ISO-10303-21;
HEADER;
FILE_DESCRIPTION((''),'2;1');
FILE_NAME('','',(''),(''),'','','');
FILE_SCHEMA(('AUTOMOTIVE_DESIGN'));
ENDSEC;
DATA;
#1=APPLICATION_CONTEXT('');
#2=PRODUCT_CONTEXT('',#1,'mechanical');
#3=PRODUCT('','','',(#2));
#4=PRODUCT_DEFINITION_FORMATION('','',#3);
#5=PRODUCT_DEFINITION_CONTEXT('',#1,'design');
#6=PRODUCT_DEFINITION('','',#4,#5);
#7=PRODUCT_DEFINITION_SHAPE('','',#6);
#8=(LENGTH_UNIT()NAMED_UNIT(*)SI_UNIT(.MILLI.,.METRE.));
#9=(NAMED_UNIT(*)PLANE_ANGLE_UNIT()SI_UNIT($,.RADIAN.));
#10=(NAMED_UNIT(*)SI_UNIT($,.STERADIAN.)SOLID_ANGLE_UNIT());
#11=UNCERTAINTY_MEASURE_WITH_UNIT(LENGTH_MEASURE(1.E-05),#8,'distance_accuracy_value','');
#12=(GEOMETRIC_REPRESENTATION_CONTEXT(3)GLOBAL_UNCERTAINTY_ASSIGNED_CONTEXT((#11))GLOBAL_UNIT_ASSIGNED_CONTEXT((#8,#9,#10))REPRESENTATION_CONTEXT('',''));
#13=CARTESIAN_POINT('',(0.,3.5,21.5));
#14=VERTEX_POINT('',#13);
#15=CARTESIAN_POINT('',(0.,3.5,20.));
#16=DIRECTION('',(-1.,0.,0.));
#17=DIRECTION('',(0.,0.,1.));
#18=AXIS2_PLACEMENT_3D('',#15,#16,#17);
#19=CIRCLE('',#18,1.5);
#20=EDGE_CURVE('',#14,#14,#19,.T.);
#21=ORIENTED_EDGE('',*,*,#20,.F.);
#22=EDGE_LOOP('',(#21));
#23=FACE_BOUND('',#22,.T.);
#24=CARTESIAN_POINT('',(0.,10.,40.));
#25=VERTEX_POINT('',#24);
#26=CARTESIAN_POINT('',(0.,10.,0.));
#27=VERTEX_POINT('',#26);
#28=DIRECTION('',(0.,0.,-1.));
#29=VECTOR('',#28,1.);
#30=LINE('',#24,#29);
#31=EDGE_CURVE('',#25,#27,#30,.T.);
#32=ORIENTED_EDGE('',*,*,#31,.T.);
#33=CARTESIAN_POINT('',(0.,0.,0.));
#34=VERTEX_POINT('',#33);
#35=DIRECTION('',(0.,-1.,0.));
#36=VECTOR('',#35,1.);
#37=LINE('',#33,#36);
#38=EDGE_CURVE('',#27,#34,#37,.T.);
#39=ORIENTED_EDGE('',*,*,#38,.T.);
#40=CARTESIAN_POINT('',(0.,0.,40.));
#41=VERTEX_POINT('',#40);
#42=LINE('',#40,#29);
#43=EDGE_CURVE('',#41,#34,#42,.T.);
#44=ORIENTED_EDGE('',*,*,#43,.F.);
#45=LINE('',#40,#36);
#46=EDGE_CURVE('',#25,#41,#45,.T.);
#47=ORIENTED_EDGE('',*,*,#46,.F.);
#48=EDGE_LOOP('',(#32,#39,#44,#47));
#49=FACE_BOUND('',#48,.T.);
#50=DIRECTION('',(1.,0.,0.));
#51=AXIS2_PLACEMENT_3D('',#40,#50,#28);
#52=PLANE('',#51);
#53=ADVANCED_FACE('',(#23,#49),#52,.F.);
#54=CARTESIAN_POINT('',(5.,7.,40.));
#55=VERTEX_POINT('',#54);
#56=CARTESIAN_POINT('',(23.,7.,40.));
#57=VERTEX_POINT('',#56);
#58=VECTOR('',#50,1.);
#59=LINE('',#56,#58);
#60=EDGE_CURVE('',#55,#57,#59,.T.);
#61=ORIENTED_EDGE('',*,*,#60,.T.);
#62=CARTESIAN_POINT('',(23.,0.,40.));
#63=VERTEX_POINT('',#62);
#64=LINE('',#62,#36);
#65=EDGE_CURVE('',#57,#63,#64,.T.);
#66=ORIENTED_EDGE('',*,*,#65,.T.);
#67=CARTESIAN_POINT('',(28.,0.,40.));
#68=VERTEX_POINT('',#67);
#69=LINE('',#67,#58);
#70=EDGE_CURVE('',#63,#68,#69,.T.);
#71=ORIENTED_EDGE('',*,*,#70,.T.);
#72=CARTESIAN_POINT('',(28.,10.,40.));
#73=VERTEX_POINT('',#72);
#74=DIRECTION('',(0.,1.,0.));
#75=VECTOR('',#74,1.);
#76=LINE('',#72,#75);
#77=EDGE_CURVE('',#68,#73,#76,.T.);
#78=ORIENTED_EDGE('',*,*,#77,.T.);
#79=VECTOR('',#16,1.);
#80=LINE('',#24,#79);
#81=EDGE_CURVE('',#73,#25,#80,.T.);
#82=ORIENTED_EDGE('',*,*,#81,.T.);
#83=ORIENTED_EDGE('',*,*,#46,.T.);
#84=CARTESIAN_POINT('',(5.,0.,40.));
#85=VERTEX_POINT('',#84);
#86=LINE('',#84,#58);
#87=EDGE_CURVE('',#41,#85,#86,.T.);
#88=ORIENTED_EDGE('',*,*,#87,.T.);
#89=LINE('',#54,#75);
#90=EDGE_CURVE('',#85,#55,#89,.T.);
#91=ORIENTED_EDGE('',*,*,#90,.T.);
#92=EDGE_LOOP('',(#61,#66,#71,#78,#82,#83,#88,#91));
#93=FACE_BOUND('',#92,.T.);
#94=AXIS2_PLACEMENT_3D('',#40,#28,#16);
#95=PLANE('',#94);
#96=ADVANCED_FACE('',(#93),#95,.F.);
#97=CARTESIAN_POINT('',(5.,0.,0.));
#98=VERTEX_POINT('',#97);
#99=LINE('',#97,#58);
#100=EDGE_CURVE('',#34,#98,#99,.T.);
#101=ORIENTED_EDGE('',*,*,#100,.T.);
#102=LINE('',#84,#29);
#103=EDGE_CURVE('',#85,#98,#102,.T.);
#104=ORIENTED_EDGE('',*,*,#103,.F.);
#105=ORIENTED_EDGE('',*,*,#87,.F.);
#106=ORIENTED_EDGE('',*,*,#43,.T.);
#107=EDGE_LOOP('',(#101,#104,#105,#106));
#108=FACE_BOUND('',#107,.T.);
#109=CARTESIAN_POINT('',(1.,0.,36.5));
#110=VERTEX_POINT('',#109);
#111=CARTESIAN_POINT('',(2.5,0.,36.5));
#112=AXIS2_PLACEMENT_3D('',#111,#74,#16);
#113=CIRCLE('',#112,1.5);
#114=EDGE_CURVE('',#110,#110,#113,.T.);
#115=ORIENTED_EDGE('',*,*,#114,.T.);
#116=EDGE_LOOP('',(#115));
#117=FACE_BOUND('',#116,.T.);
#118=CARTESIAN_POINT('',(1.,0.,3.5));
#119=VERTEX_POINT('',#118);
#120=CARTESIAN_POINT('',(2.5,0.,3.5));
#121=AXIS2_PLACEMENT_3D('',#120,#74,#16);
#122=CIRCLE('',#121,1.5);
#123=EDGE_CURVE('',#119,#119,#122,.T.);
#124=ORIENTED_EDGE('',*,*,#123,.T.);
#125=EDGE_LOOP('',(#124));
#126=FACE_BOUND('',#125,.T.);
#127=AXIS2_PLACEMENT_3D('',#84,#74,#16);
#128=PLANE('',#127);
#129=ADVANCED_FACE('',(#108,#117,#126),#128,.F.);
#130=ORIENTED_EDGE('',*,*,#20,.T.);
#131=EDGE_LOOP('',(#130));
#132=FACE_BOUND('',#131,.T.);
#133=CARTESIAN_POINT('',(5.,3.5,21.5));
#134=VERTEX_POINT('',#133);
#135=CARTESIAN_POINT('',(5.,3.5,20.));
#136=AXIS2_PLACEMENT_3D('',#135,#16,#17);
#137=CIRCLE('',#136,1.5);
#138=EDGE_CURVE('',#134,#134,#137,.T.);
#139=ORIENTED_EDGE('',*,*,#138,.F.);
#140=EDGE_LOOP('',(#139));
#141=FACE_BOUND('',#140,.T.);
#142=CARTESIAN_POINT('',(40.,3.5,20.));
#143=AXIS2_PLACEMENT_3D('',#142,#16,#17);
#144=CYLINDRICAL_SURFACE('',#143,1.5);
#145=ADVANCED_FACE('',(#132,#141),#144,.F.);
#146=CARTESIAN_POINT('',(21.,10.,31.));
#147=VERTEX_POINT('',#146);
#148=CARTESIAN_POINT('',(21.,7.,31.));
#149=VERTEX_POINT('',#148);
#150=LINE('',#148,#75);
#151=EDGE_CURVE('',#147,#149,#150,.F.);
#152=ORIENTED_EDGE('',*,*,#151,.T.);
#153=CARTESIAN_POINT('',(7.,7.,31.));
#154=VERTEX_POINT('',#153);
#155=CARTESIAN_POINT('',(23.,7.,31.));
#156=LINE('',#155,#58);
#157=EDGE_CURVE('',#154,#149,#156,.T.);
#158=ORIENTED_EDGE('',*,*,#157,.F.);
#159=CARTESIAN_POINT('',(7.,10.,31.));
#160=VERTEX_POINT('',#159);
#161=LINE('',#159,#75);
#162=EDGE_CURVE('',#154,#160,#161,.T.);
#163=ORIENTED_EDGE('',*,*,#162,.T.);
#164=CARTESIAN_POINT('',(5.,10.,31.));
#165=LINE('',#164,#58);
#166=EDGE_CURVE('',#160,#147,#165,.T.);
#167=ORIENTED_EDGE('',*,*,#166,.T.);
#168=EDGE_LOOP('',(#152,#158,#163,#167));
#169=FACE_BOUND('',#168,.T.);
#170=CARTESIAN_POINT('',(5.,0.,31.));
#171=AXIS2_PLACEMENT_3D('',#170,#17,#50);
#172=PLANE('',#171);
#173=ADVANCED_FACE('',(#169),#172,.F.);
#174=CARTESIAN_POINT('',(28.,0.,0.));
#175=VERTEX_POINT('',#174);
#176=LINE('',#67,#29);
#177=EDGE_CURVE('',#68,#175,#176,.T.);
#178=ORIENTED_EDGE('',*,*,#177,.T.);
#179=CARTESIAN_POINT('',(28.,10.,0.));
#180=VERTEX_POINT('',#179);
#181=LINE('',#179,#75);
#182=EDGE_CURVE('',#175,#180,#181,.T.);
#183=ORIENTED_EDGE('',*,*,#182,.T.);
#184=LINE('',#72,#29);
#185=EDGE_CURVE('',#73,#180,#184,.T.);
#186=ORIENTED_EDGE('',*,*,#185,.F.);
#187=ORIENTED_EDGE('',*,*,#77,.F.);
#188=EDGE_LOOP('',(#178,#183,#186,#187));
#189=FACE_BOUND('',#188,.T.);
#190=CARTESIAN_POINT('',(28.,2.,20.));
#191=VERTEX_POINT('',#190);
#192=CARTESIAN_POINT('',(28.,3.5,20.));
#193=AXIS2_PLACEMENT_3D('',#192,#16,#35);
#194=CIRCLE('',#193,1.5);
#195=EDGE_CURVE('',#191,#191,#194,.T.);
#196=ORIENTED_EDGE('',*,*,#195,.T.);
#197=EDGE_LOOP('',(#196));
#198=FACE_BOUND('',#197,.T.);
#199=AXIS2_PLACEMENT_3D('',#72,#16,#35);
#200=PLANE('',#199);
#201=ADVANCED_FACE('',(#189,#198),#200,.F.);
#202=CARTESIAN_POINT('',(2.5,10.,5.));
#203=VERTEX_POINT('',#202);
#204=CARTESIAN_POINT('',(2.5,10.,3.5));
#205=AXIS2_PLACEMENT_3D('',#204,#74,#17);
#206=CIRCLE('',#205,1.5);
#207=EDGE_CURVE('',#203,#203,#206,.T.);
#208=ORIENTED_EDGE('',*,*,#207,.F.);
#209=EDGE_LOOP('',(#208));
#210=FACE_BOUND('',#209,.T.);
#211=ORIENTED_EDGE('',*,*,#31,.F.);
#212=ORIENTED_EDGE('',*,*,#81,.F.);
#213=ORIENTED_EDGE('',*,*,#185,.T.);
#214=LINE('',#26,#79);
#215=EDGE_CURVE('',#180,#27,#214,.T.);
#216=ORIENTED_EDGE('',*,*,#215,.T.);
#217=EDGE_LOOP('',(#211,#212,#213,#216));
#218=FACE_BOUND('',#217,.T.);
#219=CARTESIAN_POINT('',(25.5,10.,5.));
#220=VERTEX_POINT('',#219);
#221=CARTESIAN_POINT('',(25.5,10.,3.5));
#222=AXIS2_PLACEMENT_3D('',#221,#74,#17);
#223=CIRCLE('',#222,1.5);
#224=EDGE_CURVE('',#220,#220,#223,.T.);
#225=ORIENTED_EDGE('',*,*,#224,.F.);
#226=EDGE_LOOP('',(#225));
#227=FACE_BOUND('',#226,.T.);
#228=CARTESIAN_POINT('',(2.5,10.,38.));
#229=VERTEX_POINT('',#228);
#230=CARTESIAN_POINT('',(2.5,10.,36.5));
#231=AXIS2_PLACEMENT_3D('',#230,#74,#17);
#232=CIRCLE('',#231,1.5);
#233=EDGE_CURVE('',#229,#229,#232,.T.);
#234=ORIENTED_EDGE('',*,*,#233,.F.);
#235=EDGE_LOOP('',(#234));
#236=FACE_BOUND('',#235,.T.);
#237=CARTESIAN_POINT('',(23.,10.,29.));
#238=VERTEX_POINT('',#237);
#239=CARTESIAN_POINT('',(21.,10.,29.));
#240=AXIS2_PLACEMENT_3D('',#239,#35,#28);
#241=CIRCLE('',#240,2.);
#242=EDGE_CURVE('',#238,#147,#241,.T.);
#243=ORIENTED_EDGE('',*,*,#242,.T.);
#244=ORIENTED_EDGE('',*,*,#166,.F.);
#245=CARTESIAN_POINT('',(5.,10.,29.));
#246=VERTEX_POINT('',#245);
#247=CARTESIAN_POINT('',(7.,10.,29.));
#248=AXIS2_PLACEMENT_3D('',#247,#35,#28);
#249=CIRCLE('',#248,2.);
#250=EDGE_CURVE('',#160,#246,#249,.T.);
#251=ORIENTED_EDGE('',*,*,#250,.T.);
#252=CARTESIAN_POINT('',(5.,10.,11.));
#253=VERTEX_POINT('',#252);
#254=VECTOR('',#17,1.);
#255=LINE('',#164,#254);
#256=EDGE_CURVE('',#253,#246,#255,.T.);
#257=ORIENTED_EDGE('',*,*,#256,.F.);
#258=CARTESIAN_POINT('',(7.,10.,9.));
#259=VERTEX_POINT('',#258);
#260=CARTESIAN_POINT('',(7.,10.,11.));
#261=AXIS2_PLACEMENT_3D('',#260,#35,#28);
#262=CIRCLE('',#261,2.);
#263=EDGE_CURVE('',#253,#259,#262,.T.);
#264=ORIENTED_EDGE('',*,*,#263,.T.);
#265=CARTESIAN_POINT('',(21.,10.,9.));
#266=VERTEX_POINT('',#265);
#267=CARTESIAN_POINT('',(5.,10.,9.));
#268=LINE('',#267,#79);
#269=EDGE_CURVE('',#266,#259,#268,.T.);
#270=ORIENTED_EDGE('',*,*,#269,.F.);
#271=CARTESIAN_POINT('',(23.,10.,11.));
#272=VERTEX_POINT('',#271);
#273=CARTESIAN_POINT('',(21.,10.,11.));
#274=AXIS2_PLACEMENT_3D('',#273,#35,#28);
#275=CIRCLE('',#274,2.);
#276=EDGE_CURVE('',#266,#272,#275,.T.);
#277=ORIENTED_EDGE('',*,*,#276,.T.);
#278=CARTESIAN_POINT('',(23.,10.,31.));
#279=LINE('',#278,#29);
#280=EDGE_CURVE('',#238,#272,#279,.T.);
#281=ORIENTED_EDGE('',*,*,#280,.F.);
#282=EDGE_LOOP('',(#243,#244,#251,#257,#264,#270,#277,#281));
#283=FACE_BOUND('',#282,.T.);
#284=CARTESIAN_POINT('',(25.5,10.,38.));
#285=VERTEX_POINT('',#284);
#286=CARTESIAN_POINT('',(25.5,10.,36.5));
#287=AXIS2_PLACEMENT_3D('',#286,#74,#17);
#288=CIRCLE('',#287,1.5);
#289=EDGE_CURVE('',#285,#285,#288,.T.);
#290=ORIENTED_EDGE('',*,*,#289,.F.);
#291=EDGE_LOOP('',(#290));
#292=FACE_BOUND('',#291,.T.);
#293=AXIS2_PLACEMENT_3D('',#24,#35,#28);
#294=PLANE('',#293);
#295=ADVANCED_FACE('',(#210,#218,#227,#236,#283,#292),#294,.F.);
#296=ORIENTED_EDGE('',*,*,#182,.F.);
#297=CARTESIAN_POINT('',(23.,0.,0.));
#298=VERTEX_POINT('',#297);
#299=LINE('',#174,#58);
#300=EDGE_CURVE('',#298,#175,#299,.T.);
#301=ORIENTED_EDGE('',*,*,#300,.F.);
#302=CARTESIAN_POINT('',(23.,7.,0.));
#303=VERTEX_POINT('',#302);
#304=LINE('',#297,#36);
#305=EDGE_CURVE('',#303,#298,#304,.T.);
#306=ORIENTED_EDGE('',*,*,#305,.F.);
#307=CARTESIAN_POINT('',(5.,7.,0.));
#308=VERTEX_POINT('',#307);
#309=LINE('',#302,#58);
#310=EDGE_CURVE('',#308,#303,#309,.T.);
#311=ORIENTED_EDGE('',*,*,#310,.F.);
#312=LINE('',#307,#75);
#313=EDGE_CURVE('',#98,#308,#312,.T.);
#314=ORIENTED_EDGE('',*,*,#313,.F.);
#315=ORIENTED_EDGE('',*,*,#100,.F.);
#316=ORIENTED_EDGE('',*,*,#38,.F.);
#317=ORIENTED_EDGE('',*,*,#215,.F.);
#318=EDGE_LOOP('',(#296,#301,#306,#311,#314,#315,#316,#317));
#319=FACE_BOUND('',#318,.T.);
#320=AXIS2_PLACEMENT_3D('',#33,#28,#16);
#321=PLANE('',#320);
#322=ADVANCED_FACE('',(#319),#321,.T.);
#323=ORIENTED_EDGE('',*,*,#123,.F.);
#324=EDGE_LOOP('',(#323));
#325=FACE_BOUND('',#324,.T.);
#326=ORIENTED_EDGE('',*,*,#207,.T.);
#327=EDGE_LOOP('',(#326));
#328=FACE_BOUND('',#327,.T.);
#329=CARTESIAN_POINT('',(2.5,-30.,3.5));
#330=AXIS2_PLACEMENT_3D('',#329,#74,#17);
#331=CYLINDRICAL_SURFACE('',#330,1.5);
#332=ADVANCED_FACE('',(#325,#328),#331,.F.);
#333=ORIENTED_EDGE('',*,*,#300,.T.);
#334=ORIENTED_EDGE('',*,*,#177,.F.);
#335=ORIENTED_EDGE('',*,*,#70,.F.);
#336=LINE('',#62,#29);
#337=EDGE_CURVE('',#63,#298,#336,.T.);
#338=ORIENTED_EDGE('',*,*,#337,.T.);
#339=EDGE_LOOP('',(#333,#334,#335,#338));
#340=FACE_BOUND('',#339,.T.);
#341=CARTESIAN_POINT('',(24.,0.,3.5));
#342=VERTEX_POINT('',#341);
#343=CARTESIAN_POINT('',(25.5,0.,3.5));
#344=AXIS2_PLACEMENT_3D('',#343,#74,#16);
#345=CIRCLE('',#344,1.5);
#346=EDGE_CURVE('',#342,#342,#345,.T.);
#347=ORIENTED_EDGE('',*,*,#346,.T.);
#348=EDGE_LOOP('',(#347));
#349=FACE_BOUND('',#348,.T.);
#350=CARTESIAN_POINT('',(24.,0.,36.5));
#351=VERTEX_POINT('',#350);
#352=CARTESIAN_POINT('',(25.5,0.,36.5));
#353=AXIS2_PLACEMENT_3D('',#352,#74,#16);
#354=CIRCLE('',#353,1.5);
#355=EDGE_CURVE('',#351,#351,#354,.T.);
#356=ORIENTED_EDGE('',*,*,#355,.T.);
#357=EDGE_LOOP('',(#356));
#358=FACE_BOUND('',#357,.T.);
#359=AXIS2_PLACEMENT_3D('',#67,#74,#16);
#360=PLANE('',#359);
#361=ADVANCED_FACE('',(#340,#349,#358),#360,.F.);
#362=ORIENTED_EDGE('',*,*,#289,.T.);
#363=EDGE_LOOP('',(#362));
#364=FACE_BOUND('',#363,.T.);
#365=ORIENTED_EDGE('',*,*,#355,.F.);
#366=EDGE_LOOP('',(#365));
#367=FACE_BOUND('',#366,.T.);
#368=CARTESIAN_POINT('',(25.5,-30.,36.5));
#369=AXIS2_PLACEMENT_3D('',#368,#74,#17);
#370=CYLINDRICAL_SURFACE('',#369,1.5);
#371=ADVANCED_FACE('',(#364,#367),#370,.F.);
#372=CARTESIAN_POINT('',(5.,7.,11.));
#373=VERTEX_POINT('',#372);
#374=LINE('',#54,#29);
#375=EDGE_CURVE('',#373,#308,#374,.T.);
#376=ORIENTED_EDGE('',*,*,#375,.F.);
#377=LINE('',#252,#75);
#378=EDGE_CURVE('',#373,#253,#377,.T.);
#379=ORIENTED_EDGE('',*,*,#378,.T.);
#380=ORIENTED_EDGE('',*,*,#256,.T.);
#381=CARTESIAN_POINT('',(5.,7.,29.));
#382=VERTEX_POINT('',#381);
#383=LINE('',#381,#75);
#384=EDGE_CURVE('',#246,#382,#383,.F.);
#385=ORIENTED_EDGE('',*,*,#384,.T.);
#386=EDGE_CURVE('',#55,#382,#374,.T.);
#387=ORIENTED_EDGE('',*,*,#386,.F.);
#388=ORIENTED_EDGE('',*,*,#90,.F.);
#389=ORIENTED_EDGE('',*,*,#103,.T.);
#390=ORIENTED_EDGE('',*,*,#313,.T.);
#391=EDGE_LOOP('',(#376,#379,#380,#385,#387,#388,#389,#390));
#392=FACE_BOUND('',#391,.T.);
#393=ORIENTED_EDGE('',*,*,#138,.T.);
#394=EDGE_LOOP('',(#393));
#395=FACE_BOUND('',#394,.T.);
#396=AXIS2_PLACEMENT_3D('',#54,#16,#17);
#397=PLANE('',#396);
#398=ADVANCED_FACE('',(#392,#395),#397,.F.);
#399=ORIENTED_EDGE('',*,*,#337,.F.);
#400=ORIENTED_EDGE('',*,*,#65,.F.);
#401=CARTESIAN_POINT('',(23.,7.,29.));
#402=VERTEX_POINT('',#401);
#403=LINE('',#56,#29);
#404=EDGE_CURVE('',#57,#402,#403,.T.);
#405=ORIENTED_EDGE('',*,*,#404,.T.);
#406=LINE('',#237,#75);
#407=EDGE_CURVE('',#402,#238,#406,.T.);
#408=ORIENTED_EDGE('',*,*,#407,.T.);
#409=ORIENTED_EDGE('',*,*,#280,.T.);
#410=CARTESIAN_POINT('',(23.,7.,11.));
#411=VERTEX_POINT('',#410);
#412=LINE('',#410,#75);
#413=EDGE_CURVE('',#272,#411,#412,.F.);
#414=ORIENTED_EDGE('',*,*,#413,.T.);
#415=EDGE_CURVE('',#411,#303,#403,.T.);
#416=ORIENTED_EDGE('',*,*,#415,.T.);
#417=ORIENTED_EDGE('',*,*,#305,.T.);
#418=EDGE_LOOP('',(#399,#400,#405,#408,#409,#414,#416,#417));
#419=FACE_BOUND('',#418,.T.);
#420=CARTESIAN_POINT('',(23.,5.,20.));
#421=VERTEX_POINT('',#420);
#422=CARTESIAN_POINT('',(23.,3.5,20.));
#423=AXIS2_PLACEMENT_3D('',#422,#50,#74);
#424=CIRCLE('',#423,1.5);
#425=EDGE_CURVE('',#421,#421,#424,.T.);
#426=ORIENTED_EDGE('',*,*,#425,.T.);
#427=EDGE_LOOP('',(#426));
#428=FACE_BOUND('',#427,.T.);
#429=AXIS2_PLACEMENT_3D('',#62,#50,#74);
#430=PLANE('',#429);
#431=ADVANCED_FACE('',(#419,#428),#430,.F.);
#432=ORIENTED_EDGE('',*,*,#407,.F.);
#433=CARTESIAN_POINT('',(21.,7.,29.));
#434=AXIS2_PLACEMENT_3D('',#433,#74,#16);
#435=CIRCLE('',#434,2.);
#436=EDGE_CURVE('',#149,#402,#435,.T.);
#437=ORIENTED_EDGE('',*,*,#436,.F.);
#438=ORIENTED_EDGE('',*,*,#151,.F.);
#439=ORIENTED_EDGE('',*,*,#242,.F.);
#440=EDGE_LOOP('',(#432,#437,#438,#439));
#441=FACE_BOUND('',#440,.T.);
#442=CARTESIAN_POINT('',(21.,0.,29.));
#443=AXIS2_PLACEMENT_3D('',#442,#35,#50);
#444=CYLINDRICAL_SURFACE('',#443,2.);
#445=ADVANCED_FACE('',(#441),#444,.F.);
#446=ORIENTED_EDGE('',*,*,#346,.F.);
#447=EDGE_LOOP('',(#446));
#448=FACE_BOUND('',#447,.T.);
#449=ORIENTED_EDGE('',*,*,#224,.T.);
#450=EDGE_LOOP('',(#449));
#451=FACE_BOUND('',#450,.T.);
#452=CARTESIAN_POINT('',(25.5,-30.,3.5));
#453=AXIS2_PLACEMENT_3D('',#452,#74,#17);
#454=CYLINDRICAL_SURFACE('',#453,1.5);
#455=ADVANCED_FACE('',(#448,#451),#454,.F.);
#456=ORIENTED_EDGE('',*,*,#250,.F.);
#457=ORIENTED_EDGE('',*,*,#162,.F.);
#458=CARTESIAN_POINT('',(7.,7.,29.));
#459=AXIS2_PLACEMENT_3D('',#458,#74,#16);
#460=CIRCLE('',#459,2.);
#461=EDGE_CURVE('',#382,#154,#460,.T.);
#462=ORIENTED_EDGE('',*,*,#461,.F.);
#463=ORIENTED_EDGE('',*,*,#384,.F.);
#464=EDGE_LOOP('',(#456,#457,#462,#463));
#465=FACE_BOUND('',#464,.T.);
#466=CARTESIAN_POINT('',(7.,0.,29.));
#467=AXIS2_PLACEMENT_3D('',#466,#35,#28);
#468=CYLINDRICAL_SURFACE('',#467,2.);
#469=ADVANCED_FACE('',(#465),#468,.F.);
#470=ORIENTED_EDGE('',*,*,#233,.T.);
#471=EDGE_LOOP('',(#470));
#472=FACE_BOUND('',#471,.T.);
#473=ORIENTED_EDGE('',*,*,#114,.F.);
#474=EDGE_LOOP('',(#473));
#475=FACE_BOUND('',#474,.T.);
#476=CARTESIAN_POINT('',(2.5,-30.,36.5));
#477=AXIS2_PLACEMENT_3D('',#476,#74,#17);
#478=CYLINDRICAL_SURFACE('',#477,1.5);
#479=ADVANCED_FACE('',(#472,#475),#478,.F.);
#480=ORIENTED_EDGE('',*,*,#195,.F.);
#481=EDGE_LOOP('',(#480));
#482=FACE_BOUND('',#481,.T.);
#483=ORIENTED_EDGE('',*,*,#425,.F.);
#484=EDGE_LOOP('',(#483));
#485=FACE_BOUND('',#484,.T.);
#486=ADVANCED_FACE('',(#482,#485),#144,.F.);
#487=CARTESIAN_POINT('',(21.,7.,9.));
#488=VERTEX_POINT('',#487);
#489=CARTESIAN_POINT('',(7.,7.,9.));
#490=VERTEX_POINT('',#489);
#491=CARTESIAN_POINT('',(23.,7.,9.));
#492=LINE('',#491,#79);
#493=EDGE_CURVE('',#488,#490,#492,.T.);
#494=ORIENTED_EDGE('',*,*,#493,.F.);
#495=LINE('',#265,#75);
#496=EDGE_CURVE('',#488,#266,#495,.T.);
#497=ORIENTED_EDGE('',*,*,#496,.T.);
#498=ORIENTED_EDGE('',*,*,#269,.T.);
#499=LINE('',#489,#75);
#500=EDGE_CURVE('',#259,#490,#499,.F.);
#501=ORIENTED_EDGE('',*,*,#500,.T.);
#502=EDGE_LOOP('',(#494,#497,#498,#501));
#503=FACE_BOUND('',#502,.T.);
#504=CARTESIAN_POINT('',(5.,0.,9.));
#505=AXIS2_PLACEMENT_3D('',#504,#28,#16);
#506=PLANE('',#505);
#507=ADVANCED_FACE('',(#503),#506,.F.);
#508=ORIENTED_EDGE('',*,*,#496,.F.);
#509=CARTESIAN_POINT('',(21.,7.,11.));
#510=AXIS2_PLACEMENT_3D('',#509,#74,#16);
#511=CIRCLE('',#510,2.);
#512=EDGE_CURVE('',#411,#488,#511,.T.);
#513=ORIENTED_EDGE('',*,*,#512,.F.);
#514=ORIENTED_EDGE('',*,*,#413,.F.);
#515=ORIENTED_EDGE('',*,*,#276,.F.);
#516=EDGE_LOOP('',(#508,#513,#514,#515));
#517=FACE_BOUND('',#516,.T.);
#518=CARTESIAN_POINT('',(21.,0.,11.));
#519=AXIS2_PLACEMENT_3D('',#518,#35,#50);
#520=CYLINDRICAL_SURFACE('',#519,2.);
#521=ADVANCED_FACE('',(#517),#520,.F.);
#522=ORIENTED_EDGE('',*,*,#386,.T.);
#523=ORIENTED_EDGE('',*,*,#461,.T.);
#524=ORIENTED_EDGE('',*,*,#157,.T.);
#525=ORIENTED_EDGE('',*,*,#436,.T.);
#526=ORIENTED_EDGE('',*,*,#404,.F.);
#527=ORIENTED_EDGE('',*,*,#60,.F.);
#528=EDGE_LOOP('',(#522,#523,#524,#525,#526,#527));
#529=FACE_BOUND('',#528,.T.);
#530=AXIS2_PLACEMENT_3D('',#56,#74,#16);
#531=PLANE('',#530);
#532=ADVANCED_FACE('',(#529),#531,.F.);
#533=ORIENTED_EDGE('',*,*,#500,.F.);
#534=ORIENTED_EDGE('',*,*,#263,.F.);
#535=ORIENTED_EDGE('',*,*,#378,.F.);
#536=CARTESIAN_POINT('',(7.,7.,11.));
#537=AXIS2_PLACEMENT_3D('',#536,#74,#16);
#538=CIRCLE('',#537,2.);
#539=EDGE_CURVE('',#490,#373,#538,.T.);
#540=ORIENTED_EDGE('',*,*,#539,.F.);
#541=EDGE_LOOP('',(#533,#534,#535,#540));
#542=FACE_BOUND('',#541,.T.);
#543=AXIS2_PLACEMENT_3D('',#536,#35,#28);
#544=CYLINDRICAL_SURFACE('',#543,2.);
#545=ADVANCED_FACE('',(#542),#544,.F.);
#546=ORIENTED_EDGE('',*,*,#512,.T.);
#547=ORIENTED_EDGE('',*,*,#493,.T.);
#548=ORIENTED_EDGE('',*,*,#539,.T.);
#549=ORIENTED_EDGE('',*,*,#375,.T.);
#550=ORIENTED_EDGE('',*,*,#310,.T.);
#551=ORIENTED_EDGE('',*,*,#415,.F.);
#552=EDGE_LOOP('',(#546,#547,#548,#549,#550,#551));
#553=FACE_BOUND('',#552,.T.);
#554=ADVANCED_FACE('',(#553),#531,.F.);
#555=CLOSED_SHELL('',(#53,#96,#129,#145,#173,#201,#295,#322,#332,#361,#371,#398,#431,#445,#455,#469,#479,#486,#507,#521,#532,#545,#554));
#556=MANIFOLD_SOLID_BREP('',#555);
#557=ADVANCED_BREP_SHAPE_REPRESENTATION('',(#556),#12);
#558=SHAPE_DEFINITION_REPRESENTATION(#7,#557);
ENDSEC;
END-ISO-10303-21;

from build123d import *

# Parameters (mm, degrees)
EXTRUDE_1_DEPTH     = 40
SKETCH_2_R          = 1.5
CUT_EXTRUDE_1_DEPTH = 40
SKETCH_3_R          = 1.5
CUT_EXTRUDE_2_DEPTH = 40
SKETCH_5_W          = 18
SKETCH_5_H          = 22
CUT_EXTRUDE_3_DEPTH = 50.839743178
FILLET_3_R          = 2


with BuildPart() as part:
    # 草图1 → 凸台-拉伸1 (new body)
    with BuildSketch(Plane.XY):
        Polygon((0, 0), (0, 10), (28, 10), (28, 0), (23, 0), (23, 7), (5, 7), (5, 0), align=None)
    extrude(amount=EXTRUDE_1_DEPTH)

    # 草图2 → 切除-拉伸1 (cut)
    with BuildSketch(Plane(origin=(0, 10, 0), x_dir=(1, 0, 0), z_dir=(0, 1, 0))):
        with Locations(Location((2.5, -3.5, 0), (0, 0, 270))):
            Circle(SKETCH_2_R)
        with Locations(Location((2.5, -36.5, 0), (0, 0, 270))):
            Circle(SKETCH_2_R)
        with Locations(Location((25.5, -36.5, 0), (0, 0, 270))):
            Circle(SKETCH_2_R)
        with Locations(Location((25.5, -3.5, 0), (0, 0, 270))):
            Circle(SKETCH_2_R)
    extrude(amount=-CUT_EXTRUDE_1_DEPTH, mode=Mode.SUBTRACT)

    # 草图3 → 切除-拉伸2 (cut)
    with BuildSketch(Plane.ZY):
        with Locations((20, 3.5)):
            Circle(SKETCH_3_R)
    extrude(amount=-CUT_EXTRUDE_2_DEPTH, mode=Mode.SUBTRACT)

    # 草图5 → 切除-拉伸3 (cut, through all)
    with BuildSketch(Plane(origin=(0, 10, 0), x_dir=(1, 0, 0), z_dir=(0, 1, 0))):
        with Locations((14, -20)):
            Rectangle(SKETCH_5_W, SKETCH_5_H)
    extrude(amount=-CUT_EXTRUDE_3_DEPTH, mode=Mode.SUBTRACT)

    # 圆角3
    fillet_3_edges = [part.edges().sort_by_distance(p)[0] for p in [
        (23, 8.5, 31),
        (5, 8.5, 9),
        (5, 8.5, 31),
        (23, 8.5, 9),
    ]]
    fillet(fillet_3_edges, radius=FILLET_3_R)


solid = part.part
